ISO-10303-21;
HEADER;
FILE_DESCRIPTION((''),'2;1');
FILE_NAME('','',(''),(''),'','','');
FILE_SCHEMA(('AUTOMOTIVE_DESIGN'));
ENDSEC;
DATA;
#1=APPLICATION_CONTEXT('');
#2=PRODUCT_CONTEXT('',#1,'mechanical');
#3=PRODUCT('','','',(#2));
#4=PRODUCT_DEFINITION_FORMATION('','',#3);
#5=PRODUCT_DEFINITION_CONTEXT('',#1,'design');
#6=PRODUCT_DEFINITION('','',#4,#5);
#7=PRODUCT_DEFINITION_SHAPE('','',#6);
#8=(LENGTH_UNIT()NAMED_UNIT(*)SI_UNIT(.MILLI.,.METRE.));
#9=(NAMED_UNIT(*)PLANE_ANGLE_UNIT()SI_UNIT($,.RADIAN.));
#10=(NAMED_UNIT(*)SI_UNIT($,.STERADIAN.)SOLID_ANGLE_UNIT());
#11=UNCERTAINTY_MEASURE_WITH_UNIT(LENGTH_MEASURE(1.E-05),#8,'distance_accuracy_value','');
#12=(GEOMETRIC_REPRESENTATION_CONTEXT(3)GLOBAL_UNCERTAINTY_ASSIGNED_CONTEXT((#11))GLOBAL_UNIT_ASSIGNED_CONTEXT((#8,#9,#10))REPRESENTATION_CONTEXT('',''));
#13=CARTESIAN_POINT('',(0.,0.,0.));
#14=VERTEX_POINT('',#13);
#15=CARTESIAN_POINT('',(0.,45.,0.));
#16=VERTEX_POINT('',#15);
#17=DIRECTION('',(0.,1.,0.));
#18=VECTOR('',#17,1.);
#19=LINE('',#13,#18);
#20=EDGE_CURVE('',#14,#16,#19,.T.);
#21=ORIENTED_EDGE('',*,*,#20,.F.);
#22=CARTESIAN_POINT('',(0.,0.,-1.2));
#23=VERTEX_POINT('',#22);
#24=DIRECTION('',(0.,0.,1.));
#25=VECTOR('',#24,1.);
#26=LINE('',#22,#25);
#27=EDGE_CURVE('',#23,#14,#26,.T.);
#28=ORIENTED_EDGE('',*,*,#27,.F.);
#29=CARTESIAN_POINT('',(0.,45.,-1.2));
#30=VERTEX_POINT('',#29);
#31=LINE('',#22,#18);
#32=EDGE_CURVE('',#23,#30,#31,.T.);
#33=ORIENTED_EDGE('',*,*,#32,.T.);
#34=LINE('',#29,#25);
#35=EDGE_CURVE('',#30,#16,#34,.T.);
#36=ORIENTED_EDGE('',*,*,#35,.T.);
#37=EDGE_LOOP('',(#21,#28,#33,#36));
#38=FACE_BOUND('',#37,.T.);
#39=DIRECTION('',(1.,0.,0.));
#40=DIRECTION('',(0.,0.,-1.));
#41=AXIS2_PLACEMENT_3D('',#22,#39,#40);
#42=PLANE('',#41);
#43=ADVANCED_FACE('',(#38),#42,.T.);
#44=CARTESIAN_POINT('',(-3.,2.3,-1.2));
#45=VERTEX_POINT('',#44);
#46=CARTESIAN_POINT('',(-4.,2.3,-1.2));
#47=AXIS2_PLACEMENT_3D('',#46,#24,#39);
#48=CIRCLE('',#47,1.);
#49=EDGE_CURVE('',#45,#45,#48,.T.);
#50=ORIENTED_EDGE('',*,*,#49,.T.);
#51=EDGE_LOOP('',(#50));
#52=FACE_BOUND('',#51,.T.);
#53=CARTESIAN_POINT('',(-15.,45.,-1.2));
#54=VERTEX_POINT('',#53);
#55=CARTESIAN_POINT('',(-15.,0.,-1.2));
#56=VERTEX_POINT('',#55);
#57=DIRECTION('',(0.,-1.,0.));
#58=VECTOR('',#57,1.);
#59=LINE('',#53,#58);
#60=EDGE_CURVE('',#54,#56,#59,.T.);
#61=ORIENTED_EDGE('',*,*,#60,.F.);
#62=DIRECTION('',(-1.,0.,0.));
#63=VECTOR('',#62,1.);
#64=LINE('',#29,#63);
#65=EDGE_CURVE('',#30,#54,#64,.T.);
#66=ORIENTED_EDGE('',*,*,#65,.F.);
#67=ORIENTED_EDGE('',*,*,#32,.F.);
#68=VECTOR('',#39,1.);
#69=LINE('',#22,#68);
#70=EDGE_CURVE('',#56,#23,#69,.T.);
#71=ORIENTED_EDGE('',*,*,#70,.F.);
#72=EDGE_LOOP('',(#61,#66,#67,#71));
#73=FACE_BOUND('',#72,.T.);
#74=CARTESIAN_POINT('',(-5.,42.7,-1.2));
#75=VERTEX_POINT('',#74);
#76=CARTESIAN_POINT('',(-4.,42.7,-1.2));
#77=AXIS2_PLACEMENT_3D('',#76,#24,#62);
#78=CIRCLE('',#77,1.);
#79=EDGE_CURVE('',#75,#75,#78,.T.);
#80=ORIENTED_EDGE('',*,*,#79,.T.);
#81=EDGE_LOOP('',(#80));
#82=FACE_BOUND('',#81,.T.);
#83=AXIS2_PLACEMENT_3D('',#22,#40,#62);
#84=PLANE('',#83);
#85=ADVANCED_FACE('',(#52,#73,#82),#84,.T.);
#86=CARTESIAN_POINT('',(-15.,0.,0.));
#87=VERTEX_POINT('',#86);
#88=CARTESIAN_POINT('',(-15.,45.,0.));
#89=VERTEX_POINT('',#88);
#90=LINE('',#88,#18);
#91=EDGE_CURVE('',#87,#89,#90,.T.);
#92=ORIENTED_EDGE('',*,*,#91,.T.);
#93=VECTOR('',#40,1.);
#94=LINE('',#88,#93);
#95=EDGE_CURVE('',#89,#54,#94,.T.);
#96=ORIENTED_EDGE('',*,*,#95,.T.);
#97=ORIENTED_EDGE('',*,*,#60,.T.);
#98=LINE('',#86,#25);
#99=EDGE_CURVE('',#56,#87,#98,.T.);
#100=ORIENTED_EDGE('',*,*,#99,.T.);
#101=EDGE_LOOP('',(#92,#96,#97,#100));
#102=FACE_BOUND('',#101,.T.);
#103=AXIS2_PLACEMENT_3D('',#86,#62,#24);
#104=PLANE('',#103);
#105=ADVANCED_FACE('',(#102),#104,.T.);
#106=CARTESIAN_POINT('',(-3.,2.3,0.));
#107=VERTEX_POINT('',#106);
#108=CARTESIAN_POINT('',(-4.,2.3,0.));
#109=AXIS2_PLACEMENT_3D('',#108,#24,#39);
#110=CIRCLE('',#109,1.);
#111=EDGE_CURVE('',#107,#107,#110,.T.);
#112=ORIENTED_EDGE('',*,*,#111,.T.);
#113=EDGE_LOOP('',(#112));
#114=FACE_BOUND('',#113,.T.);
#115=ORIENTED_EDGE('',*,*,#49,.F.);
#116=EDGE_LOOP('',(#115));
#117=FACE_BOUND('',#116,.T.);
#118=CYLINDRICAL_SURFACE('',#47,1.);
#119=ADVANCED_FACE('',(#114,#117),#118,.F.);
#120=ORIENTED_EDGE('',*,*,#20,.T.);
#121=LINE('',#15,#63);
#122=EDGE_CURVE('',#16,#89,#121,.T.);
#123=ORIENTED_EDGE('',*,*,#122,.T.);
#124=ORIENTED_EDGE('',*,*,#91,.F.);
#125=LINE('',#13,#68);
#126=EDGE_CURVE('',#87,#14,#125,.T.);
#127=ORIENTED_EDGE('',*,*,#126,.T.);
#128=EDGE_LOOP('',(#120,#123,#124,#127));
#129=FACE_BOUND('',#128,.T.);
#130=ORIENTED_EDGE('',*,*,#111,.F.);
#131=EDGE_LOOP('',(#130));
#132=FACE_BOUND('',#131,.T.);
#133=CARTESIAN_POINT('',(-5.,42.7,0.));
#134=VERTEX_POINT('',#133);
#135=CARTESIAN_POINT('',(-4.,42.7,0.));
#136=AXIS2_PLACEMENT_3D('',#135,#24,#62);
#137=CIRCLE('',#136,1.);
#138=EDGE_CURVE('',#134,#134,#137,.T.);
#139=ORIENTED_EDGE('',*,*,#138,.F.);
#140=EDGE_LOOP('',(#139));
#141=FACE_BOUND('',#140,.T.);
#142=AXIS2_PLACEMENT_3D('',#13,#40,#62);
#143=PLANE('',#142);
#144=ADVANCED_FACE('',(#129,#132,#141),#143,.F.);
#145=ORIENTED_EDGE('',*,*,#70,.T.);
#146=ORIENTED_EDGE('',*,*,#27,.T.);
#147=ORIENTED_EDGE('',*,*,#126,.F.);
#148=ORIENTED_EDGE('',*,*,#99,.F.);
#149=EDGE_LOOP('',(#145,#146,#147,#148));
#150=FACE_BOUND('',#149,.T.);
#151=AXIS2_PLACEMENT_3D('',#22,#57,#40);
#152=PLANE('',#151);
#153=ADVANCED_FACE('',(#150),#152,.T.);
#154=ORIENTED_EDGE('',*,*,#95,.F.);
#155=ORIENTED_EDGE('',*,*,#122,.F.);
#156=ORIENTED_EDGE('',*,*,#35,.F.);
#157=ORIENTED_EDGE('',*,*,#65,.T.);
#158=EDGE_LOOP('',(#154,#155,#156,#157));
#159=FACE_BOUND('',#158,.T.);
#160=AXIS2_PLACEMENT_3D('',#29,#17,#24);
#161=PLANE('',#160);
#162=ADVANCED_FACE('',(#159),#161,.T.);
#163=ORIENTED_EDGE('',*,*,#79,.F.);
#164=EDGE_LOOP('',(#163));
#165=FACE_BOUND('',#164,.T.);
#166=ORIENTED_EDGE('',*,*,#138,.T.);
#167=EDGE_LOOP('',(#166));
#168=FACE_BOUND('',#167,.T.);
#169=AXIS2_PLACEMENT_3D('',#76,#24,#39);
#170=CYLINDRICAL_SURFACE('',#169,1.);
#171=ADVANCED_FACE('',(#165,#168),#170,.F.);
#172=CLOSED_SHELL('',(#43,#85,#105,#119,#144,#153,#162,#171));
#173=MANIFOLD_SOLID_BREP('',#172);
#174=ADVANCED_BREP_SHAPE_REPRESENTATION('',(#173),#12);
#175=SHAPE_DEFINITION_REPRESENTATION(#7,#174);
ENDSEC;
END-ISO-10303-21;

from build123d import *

# Parameters (mm, degrees)
SKETCH_1_W      = 45
SKETCH_1_H      = 8
SKETCH_1_R      = 1
EXTRUDE_1_DEPTH = 1.2
SKETCH_3_W      = 45
SKETCH_3_H      = 1.2
EXTRUDE_2_DEPTH = 7


with BuildPart() as part:
    # ｽｹｯﾁ1 → ﾎﾞｽ - 押し出し1 (new body)
    with BuildSketch(Plane(origin=(0, 0, 0), x_dir=(0, 1, 0), z_dir=(0, 0, 1))):
        with Locations((22.5, 4)):
            Rectangle(SKETCH_1_W, SKETCH_1_H)
        with Locations(Location((2.3, 4, 0), (0, 0, 270))):
            Circle(SKETCH_1_R, mode=Mode.SUBTRACT)
        with Locations(Location((42.7, 4, 0), (0, 0, 90))):
            Circle(SKETCH_1_R, mode=Mode.SUBTRACT)
    extrude(amount=-EXTRUDE_1_DEPTH)

    # ｽｹｯﾁ3 → ﾎﾞｽ - 押し出し2 (add)
    with BuildSketch(Plane(origin=(-8, 0, 0), x_dir=(0, -1, 0), z_dir=(-1, 0, 0))):
        with Locations((-22.5, -0.6)):
            Rectangle(SKETCH_3_W, SKETCH_3_H)
    extrude(amount=EXTRUDE_2_DEPTH)


solid = part.part
